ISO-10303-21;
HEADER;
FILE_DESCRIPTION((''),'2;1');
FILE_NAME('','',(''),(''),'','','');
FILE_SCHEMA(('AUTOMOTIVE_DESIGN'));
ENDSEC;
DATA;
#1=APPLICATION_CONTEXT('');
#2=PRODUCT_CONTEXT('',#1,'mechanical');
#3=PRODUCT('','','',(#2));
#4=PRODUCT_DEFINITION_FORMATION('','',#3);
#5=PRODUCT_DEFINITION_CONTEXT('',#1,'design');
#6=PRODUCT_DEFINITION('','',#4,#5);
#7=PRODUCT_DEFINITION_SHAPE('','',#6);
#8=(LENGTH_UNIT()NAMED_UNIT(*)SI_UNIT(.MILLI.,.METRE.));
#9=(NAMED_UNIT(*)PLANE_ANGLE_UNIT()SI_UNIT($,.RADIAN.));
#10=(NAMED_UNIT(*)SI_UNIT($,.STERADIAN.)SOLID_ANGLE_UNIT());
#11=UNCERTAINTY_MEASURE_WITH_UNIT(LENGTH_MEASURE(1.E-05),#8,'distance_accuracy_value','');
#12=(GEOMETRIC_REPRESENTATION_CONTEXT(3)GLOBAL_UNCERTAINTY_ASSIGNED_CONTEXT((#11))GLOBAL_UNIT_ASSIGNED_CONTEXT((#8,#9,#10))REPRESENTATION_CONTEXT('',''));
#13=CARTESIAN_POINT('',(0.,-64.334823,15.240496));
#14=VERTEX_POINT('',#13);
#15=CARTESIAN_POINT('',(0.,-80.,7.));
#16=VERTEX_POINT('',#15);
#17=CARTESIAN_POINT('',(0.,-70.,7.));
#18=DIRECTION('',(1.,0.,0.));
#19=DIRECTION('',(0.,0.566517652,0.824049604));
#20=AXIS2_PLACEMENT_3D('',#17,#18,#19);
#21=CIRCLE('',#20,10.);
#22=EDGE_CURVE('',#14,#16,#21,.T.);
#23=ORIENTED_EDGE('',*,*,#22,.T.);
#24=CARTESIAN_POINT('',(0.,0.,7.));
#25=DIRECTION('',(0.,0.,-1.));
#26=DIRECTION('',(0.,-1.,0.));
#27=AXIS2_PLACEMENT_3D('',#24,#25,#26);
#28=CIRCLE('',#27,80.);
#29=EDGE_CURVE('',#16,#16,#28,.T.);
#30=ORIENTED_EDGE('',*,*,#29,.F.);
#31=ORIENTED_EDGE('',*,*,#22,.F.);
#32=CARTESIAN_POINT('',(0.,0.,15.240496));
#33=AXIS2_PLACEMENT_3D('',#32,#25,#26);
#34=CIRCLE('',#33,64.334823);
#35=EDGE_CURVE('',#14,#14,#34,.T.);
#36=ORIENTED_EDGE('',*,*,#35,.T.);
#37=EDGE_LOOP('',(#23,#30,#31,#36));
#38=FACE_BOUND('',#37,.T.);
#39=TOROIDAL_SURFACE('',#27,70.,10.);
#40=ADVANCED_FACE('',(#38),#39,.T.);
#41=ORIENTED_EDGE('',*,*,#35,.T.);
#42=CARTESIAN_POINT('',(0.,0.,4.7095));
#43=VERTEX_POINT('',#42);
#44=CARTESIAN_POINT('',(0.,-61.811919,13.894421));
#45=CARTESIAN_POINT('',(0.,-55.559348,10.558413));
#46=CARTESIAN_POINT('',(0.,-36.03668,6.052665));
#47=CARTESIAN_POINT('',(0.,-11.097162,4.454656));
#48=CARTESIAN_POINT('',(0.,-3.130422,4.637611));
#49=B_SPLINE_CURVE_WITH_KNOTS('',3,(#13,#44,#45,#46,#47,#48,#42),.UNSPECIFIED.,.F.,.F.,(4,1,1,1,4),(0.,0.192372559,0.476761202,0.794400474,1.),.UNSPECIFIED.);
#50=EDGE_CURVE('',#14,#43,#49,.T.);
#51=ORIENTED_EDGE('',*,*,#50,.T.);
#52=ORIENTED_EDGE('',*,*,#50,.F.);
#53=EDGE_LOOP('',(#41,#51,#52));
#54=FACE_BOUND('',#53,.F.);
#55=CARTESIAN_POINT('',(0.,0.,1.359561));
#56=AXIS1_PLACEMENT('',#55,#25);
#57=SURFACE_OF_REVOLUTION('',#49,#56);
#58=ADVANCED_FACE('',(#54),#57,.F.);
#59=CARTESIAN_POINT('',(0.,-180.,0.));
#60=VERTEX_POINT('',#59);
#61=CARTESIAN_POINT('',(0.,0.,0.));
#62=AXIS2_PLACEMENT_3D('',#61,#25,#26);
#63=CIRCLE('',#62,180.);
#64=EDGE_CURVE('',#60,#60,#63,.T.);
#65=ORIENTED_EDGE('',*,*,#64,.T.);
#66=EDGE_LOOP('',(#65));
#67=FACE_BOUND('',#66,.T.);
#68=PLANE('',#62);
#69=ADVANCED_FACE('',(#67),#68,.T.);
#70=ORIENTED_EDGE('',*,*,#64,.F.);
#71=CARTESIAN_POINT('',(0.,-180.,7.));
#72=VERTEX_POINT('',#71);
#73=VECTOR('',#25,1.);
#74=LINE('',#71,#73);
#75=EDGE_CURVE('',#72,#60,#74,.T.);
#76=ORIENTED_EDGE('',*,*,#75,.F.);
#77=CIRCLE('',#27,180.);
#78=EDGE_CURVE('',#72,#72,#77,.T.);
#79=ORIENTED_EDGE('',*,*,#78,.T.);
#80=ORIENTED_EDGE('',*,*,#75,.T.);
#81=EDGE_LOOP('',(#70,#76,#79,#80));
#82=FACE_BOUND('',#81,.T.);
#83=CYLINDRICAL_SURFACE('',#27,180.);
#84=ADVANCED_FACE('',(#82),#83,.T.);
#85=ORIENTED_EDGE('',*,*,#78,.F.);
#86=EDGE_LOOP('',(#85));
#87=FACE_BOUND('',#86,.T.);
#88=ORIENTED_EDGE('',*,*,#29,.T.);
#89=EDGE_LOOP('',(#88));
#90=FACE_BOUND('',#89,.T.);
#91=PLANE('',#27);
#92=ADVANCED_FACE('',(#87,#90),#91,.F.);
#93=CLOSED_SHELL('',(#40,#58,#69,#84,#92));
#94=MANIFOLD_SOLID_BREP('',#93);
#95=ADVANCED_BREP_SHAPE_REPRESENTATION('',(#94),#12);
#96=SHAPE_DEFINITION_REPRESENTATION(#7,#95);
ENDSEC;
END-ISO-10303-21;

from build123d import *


with BuildPart() as f1:
    # F0 (on Right) → F1 (revolve)
    with BuildSketch(Plane.YZ):
        with BuildLine():
            Line((-180, 7), (-180, 0))
            Line((-180, 0), (0, 0))
            Line((0, 0), (0, 4.7095003538))
            add(Edge.make_bspline(
                [(-64.3348234826, 15.2404960425), (-61.8119187453, 13.8944209727), (-55.5593476946, 10.5584131207), (-36.0366798908, 6.0526645381), (-11.0971623358, 4.4546559259), (-3.1304217133, 4.6376107566), (0, 4.7095003538)],
                knots=[0, 0, 0, 0, 0.1923725593, 0.476761202, 0.7944004741, 1, 1, 1, 1], degree=3))
            ThreePointArc((-64.3348234826, 15.2404960425), (-74.655546951, 15.8501911046), (-80, 7))
            Line((-80, 7), (-180, 7))
        make_face()
    revolve(axis=Axis((0, 0, 1.3595614582), (0, 0, -1)))


solid = f1.part
